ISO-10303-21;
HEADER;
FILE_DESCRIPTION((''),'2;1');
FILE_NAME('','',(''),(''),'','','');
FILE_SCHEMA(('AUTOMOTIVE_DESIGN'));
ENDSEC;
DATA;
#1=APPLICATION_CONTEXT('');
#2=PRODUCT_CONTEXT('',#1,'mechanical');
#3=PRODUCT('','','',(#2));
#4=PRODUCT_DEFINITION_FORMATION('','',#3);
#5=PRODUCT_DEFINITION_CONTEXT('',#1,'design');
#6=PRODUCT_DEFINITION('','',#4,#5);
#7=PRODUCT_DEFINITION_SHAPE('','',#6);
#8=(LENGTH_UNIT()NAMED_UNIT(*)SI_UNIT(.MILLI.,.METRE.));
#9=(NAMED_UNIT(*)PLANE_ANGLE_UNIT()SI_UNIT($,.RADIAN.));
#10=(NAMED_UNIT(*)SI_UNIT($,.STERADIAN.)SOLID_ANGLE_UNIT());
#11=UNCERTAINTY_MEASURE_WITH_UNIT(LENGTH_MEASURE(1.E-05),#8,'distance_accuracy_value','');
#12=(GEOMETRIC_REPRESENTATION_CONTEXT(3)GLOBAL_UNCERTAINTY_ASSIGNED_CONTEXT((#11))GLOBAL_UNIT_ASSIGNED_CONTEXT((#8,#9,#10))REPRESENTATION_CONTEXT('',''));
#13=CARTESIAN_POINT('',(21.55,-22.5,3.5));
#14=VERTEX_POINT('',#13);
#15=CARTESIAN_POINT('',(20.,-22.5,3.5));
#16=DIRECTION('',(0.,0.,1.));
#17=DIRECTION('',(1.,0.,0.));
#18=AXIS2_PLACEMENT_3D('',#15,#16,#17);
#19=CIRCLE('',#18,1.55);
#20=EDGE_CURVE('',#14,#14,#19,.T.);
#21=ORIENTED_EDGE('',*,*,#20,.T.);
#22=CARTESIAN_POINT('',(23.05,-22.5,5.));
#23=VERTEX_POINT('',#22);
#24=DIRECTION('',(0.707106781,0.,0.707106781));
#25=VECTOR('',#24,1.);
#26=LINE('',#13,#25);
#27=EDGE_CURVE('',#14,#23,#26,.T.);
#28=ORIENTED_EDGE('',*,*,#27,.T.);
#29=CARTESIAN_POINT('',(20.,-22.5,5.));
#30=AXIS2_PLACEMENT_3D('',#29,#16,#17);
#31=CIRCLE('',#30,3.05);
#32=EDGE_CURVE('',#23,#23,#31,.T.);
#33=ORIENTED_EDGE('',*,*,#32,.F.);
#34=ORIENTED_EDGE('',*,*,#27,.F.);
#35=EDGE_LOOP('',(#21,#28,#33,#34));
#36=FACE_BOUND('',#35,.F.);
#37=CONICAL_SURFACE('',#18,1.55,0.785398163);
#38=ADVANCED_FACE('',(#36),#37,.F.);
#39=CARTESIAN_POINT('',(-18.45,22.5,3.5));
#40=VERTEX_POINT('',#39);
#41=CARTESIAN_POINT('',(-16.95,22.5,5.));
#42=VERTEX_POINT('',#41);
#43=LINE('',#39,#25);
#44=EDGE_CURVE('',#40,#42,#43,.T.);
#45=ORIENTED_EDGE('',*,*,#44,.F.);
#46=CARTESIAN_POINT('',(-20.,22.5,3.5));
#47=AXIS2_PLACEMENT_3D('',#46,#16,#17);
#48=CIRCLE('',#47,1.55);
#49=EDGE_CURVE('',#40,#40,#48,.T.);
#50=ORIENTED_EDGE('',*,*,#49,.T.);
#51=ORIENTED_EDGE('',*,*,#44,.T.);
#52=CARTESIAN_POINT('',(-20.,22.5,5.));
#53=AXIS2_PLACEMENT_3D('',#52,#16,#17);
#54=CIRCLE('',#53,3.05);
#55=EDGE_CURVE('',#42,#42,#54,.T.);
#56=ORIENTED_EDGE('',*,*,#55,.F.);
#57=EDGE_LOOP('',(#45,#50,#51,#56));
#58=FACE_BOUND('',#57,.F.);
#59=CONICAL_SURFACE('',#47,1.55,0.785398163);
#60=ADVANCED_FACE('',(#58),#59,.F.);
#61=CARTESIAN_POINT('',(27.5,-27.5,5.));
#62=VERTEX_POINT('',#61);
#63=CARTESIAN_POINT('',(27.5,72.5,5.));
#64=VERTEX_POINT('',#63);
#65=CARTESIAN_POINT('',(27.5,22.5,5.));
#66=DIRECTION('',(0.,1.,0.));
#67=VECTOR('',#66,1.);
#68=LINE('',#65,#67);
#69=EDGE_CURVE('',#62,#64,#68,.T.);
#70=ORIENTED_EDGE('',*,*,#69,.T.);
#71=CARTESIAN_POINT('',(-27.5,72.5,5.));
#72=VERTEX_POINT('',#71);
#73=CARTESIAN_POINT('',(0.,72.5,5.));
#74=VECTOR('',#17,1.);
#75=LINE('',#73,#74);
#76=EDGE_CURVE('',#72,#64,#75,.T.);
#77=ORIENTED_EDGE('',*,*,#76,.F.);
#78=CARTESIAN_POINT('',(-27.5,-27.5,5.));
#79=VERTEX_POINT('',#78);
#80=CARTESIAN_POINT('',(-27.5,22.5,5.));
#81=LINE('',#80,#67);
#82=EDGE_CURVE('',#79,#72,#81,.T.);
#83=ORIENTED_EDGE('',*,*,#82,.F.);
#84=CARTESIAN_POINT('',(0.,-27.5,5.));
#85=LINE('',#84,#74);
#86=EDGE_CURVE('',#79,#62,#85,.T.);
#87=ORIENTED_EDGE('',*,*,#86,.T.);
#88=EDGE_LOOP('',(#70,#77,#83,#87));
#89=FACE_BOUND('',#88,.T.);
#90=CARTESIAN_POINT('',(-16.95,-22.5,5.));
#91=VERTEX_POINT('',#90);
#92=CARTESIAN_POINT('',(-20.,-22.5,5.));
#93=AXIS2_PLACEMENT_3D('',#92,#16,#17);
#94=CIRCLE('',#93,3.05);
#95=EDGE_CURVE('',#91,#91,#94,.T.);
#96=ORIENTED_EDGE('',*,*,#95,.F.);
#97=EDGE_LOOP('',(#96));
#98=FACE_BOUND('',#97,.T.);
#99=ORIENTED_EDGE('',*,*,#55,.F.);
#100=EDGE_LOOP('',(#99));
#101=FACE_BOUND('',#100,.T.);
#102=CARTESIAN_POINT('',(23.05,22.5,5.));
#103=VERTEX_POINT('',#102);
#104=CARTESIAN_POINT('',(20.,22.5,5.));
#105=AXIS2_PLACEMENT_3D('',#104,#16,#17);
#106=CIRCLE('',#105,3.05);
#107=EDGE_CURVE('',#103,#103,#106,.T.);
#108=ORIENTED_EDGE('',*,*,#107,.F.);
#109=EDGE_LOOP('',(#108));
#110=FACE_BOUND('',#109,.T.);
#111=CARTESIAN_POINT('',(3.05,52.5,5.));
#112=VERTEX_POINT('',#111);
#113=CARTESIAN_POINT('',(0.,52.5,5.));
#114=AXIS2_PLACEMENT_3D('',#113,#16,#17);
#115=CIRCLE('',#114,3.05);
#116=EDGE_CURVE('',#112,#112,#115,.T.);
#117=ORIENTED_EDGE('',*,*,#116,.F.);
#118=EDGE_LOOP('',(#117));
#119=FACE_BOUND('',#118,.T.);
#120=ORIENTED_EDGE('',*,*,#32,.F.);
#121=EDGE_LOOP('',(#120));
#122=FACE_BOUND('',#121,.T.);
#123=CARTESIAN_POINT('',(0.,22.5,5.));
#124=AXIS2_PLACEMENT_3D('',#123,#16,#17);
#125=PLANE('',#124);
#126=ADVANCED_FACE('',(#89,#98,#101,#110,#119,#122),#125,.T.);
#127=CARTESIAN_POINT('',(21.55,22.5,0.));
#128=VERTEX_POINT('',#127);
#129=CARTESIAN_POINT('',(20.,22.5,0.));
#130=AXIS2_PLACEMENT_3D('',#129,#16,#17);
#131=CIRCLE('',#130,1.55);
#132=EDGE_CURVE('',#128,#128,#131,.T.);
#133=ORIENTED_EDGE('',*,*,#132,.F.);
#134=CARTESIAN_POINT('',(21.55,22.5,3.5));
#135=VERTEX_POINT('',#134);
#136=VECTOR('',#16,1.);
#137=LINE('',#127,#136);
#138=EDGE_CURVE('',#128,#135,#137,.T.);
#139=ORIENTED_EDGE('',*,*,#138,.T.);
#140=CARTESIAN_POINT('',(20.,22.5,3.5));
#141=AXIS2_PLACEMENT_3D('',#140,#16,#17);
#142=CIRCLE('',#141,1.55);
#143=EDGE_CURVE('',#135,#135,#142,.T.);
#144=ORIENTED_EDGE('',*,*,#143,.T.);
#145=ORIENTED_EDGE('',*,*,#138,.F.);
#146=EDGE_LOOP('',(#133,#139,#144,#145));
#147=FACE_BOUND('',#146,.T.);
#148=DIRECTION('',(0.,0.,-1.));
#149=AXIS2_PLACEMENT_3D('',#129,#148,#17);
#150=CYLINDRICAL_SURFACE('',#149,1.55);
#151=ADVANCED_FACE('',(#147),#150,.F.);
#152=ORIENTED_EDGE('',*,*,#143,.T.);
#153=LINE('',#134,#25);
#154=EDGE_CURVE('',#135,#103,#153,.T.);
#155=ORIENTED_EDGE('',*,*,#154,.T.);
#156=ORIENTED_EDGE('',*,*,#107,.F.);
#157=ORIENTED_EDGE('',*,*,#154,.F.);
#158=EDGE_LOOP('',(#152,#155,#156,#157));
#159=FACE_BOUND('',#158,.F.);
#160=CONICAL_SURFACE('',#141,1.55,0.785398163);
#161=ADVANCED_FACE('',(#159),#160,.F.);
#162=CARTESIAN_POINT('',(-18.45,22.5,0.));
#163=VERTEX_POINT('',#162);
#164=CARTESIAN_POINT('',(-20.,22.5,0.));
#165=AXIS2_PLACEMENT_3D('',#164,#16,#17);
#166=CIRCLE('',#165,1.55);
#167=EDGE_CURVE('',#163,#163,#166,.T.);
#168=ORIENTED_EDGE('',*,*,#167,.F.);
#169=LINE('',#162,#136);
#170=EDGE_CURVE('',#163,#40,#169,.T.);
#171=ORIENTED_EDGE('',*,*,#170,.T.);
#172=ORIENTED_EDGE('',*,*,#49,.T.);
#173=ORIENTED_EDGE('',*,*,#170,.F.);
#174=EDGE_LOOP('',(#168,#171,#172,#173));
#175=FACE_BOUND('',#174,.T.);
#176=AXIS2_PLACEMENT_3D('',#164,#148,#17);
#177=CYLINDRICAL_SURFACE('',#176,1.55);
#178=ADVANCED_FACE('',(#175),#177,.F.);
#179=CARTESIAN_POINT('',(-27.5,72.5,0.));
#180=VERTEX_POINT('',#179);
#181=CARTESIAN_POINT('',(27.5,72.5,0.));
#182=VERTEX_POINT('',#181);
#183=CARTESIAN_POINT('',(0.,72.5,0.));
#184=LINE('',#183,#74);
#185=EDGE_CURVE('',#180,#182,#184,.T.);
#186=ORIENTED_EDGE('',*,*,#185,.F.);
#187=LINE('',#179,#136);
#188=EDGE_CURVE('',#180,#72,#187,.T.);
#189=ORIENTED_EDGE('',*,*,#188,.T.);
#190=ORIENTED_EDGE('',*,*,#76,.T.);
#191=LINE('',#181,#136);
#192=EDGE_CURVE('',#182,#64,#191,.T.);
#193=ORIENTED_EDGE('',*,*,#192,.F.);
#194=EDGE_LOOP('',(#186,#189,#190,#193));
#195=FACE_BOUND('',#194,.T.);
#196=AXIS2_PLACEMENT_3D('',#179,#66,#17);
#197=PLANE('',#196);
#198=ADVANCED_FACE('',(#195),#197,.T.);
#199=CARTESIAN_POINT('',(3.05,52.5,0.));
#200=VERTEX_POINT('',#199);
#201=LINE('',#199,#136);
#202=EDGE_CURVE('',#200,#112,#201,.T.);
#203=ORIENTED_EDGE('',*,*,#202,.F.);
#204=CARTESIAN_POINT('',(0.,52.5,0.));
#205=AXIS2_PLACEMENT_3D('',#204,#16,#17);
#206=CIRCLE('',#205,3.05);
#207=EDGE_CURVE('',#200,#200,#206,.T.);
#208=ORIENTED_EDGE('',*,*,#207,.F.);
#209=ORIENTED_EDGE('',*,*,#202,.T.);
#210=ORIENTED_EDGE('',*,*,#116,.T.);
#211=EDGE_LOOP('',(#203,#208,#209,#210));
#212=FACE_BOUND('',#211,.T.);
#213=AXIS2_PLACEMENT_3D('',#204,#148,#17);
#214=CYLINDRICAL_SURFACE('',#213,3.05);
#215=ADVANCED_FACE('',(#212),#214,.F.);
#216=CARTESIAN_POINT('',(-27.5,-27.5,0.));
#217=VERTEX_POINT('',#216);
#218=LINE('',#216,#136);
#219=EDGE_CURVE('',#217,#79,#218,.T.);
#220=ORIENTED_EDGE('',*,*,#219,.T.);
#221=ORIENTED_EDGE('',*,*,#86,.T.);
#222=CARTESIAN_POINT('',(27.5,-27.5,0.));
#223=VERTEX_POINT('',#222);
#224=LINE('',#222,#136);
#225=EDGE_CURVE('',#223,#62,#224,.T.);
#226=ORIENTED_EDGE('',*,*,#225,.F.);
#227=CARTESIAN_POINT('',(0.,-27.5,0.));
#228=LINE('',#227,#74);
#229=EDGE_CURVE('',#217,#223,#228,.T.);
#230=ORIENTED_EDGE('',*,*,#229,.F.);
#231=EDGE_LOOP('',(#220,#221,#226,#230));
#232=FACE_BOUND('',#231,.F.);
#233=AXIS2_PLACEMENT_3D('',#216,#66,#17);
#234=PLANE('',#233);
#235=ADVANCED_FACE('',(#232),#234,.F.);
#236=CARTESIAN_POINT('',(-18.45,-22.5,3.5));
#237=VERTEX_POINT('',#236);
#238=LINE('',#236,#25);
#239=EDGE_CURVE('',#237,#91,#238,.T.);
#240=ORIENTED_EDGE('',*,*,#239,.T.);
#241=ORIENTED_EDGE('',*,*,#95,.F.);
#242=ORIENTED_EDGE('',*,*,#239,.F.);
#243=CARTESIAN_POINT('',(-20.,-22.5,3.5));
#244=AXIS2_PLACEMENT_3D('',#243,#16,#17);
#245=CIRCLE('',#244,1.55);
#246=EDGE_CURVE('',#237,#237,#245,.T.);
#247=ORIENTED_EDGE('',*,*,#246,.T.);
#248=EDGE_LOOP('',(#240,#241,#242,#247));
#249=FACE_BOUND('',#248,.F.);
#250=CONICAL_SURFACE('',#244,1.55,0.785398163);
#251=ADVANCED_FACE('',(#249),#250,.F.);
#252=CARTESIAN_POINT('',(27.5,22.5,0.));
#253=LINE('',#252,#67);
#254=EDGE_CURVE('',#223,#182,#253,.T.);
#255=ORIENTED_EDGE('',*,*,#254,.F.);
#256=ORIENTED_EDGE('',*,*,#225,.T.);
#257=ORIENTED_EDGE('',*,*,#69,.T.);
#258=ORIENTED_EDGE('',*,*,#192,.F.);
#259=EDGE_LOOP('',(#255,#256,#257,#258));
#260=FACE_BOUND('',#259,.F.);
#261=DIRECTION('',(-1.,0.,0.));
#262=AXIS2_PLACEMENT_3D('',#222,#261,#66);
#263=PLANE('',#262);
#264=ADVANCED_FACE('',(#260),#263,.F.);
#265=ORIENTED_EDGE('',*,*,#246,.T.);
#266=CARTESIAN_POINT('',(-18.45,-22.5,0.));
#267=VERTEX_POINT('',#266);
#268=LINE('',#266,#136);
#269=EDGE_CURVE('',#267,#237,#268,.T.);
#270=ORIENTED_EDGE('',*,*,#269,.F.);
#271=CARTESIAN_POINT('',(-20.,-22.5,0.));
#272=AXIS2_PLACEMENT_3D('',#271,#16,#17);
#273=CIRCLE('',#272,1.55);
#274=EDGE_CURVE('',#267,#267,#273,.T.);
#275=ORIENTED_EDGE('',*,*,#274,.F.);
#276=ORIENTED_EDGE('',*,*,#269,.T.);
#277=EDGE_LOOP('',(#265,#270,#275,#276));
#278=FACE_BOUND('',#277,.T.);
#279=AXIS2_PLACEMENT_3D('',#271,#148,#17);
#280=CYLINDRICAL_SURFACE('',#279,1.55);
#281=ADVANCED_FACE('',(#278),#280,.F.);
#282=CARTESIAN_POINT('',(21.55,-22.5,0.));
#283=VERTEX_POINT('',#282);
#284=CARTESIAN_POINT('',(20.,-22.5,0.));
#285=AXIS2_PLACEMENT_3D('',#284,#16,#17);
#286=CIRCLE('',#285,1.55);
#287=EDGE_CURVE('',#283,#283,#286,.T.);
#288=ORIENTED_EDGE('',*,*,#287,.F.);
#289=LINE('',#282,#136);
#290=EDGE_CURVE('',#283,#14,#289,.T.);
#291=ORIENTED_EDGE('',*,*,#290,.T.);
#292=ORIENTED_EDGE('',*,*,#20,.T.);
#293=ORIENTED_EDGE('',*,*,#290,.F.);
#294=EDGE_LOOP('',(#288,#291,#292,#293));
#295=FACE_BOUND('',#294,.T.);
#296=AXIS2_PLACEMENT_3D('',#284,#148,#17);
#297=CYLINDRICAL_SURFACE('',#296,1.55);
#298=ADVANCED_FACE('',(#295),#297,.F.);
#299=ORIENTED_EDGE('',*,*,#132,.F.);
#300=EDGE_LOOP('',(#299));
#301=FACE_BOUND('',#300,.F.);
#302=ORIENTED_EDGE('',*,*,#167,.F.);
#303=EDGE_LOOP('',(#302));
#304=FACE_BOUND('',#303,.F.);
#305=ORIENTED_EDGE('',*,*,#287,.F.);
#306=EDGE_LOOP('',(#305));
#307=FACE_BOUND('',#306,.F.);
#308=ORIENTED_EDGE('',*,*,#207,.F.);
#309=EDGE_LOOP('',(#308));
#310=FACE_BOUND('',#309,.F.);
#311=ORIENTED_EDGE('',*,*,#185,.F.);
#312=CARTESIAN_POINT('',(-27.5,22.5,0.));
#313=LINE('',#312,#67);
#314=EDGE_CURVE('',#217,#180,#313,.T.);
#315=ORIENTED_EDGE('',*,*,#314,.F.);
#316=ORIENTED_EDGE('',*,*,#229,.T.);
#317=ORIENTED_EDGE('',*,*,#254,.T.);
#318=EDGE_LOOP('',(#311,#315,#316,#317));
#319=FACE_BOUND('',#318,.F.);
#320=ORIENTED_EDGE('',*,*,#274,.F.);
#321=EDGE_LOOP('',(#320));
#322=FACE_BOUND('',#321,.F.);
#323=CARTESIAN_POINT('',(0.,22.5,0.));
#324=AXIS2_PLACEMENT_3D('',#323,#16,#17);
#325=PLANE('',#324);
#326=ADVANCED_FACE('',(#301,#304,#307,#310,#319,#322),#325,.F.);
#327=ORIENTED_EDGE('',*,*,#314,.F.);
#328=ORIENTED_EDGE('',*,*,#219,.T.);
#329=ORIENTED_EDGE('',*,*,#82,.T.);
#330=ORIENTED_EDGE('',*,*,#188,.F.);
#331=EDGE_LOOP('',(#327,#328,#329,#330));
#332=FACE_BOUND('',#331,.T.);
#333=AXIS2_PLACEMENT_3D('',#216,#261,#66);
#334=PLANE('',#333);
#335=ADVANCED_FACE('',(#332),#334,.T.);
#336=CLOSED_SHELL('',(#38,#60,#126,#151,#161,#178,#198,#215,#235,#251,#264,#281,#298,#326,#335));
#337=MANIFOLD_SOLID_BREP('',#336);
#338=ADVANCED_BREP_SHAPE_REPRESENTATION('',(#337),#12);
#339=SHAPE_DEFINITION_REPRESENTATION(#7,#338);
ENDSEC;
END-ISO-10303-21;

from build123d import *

# Parameters (mm, degrees)
F0_W     = 55
F0_H     = 100
F0_R     = 1.55
F0_R_2   = 3.05
F1_DEPTH = 5
F2_SIZE  = 1.5


with BuildPart() as f1:
    # F0 (on Top) → F1 (new body)
    with BuildSketch(Plane.XY):
        with Locations((0, 22.5)):
            Rectangle(F0_W, F0_H)
        with Locations((-20, -22.5)):
            Circle(F0_R, mode=Mode.SUBTRACT)
        with Locations((20, -22.5)):
            Circle(F0_R, mode=Mode.SUBTRACT)
        with Locations((-20, 22.5)):
            Circle(F0_R, mode=Mode.SUBTRACT)
        with Locations((20, 22.5)):
            Circle(F0_R, mode=Mode.SUBTRACT)
        with Locations((0, 52.5)):
            Circle(F0_R_2, mode=Mode.SUBTRACT)
    extrude(amount=F1_DEPTH)

    # F2
    f2_edges = [f1.edges().sort_by_distance(p)[0] for p in [
        (-21.55, 22.5, 5),
        (18.45, 22.5, 5),
        (18.45, -22.5, 5),
        (-21.55, -22.5, 5),
    ]]
    chamfer(f2_edges, length=F2_SIZE)


solid = f1.part
